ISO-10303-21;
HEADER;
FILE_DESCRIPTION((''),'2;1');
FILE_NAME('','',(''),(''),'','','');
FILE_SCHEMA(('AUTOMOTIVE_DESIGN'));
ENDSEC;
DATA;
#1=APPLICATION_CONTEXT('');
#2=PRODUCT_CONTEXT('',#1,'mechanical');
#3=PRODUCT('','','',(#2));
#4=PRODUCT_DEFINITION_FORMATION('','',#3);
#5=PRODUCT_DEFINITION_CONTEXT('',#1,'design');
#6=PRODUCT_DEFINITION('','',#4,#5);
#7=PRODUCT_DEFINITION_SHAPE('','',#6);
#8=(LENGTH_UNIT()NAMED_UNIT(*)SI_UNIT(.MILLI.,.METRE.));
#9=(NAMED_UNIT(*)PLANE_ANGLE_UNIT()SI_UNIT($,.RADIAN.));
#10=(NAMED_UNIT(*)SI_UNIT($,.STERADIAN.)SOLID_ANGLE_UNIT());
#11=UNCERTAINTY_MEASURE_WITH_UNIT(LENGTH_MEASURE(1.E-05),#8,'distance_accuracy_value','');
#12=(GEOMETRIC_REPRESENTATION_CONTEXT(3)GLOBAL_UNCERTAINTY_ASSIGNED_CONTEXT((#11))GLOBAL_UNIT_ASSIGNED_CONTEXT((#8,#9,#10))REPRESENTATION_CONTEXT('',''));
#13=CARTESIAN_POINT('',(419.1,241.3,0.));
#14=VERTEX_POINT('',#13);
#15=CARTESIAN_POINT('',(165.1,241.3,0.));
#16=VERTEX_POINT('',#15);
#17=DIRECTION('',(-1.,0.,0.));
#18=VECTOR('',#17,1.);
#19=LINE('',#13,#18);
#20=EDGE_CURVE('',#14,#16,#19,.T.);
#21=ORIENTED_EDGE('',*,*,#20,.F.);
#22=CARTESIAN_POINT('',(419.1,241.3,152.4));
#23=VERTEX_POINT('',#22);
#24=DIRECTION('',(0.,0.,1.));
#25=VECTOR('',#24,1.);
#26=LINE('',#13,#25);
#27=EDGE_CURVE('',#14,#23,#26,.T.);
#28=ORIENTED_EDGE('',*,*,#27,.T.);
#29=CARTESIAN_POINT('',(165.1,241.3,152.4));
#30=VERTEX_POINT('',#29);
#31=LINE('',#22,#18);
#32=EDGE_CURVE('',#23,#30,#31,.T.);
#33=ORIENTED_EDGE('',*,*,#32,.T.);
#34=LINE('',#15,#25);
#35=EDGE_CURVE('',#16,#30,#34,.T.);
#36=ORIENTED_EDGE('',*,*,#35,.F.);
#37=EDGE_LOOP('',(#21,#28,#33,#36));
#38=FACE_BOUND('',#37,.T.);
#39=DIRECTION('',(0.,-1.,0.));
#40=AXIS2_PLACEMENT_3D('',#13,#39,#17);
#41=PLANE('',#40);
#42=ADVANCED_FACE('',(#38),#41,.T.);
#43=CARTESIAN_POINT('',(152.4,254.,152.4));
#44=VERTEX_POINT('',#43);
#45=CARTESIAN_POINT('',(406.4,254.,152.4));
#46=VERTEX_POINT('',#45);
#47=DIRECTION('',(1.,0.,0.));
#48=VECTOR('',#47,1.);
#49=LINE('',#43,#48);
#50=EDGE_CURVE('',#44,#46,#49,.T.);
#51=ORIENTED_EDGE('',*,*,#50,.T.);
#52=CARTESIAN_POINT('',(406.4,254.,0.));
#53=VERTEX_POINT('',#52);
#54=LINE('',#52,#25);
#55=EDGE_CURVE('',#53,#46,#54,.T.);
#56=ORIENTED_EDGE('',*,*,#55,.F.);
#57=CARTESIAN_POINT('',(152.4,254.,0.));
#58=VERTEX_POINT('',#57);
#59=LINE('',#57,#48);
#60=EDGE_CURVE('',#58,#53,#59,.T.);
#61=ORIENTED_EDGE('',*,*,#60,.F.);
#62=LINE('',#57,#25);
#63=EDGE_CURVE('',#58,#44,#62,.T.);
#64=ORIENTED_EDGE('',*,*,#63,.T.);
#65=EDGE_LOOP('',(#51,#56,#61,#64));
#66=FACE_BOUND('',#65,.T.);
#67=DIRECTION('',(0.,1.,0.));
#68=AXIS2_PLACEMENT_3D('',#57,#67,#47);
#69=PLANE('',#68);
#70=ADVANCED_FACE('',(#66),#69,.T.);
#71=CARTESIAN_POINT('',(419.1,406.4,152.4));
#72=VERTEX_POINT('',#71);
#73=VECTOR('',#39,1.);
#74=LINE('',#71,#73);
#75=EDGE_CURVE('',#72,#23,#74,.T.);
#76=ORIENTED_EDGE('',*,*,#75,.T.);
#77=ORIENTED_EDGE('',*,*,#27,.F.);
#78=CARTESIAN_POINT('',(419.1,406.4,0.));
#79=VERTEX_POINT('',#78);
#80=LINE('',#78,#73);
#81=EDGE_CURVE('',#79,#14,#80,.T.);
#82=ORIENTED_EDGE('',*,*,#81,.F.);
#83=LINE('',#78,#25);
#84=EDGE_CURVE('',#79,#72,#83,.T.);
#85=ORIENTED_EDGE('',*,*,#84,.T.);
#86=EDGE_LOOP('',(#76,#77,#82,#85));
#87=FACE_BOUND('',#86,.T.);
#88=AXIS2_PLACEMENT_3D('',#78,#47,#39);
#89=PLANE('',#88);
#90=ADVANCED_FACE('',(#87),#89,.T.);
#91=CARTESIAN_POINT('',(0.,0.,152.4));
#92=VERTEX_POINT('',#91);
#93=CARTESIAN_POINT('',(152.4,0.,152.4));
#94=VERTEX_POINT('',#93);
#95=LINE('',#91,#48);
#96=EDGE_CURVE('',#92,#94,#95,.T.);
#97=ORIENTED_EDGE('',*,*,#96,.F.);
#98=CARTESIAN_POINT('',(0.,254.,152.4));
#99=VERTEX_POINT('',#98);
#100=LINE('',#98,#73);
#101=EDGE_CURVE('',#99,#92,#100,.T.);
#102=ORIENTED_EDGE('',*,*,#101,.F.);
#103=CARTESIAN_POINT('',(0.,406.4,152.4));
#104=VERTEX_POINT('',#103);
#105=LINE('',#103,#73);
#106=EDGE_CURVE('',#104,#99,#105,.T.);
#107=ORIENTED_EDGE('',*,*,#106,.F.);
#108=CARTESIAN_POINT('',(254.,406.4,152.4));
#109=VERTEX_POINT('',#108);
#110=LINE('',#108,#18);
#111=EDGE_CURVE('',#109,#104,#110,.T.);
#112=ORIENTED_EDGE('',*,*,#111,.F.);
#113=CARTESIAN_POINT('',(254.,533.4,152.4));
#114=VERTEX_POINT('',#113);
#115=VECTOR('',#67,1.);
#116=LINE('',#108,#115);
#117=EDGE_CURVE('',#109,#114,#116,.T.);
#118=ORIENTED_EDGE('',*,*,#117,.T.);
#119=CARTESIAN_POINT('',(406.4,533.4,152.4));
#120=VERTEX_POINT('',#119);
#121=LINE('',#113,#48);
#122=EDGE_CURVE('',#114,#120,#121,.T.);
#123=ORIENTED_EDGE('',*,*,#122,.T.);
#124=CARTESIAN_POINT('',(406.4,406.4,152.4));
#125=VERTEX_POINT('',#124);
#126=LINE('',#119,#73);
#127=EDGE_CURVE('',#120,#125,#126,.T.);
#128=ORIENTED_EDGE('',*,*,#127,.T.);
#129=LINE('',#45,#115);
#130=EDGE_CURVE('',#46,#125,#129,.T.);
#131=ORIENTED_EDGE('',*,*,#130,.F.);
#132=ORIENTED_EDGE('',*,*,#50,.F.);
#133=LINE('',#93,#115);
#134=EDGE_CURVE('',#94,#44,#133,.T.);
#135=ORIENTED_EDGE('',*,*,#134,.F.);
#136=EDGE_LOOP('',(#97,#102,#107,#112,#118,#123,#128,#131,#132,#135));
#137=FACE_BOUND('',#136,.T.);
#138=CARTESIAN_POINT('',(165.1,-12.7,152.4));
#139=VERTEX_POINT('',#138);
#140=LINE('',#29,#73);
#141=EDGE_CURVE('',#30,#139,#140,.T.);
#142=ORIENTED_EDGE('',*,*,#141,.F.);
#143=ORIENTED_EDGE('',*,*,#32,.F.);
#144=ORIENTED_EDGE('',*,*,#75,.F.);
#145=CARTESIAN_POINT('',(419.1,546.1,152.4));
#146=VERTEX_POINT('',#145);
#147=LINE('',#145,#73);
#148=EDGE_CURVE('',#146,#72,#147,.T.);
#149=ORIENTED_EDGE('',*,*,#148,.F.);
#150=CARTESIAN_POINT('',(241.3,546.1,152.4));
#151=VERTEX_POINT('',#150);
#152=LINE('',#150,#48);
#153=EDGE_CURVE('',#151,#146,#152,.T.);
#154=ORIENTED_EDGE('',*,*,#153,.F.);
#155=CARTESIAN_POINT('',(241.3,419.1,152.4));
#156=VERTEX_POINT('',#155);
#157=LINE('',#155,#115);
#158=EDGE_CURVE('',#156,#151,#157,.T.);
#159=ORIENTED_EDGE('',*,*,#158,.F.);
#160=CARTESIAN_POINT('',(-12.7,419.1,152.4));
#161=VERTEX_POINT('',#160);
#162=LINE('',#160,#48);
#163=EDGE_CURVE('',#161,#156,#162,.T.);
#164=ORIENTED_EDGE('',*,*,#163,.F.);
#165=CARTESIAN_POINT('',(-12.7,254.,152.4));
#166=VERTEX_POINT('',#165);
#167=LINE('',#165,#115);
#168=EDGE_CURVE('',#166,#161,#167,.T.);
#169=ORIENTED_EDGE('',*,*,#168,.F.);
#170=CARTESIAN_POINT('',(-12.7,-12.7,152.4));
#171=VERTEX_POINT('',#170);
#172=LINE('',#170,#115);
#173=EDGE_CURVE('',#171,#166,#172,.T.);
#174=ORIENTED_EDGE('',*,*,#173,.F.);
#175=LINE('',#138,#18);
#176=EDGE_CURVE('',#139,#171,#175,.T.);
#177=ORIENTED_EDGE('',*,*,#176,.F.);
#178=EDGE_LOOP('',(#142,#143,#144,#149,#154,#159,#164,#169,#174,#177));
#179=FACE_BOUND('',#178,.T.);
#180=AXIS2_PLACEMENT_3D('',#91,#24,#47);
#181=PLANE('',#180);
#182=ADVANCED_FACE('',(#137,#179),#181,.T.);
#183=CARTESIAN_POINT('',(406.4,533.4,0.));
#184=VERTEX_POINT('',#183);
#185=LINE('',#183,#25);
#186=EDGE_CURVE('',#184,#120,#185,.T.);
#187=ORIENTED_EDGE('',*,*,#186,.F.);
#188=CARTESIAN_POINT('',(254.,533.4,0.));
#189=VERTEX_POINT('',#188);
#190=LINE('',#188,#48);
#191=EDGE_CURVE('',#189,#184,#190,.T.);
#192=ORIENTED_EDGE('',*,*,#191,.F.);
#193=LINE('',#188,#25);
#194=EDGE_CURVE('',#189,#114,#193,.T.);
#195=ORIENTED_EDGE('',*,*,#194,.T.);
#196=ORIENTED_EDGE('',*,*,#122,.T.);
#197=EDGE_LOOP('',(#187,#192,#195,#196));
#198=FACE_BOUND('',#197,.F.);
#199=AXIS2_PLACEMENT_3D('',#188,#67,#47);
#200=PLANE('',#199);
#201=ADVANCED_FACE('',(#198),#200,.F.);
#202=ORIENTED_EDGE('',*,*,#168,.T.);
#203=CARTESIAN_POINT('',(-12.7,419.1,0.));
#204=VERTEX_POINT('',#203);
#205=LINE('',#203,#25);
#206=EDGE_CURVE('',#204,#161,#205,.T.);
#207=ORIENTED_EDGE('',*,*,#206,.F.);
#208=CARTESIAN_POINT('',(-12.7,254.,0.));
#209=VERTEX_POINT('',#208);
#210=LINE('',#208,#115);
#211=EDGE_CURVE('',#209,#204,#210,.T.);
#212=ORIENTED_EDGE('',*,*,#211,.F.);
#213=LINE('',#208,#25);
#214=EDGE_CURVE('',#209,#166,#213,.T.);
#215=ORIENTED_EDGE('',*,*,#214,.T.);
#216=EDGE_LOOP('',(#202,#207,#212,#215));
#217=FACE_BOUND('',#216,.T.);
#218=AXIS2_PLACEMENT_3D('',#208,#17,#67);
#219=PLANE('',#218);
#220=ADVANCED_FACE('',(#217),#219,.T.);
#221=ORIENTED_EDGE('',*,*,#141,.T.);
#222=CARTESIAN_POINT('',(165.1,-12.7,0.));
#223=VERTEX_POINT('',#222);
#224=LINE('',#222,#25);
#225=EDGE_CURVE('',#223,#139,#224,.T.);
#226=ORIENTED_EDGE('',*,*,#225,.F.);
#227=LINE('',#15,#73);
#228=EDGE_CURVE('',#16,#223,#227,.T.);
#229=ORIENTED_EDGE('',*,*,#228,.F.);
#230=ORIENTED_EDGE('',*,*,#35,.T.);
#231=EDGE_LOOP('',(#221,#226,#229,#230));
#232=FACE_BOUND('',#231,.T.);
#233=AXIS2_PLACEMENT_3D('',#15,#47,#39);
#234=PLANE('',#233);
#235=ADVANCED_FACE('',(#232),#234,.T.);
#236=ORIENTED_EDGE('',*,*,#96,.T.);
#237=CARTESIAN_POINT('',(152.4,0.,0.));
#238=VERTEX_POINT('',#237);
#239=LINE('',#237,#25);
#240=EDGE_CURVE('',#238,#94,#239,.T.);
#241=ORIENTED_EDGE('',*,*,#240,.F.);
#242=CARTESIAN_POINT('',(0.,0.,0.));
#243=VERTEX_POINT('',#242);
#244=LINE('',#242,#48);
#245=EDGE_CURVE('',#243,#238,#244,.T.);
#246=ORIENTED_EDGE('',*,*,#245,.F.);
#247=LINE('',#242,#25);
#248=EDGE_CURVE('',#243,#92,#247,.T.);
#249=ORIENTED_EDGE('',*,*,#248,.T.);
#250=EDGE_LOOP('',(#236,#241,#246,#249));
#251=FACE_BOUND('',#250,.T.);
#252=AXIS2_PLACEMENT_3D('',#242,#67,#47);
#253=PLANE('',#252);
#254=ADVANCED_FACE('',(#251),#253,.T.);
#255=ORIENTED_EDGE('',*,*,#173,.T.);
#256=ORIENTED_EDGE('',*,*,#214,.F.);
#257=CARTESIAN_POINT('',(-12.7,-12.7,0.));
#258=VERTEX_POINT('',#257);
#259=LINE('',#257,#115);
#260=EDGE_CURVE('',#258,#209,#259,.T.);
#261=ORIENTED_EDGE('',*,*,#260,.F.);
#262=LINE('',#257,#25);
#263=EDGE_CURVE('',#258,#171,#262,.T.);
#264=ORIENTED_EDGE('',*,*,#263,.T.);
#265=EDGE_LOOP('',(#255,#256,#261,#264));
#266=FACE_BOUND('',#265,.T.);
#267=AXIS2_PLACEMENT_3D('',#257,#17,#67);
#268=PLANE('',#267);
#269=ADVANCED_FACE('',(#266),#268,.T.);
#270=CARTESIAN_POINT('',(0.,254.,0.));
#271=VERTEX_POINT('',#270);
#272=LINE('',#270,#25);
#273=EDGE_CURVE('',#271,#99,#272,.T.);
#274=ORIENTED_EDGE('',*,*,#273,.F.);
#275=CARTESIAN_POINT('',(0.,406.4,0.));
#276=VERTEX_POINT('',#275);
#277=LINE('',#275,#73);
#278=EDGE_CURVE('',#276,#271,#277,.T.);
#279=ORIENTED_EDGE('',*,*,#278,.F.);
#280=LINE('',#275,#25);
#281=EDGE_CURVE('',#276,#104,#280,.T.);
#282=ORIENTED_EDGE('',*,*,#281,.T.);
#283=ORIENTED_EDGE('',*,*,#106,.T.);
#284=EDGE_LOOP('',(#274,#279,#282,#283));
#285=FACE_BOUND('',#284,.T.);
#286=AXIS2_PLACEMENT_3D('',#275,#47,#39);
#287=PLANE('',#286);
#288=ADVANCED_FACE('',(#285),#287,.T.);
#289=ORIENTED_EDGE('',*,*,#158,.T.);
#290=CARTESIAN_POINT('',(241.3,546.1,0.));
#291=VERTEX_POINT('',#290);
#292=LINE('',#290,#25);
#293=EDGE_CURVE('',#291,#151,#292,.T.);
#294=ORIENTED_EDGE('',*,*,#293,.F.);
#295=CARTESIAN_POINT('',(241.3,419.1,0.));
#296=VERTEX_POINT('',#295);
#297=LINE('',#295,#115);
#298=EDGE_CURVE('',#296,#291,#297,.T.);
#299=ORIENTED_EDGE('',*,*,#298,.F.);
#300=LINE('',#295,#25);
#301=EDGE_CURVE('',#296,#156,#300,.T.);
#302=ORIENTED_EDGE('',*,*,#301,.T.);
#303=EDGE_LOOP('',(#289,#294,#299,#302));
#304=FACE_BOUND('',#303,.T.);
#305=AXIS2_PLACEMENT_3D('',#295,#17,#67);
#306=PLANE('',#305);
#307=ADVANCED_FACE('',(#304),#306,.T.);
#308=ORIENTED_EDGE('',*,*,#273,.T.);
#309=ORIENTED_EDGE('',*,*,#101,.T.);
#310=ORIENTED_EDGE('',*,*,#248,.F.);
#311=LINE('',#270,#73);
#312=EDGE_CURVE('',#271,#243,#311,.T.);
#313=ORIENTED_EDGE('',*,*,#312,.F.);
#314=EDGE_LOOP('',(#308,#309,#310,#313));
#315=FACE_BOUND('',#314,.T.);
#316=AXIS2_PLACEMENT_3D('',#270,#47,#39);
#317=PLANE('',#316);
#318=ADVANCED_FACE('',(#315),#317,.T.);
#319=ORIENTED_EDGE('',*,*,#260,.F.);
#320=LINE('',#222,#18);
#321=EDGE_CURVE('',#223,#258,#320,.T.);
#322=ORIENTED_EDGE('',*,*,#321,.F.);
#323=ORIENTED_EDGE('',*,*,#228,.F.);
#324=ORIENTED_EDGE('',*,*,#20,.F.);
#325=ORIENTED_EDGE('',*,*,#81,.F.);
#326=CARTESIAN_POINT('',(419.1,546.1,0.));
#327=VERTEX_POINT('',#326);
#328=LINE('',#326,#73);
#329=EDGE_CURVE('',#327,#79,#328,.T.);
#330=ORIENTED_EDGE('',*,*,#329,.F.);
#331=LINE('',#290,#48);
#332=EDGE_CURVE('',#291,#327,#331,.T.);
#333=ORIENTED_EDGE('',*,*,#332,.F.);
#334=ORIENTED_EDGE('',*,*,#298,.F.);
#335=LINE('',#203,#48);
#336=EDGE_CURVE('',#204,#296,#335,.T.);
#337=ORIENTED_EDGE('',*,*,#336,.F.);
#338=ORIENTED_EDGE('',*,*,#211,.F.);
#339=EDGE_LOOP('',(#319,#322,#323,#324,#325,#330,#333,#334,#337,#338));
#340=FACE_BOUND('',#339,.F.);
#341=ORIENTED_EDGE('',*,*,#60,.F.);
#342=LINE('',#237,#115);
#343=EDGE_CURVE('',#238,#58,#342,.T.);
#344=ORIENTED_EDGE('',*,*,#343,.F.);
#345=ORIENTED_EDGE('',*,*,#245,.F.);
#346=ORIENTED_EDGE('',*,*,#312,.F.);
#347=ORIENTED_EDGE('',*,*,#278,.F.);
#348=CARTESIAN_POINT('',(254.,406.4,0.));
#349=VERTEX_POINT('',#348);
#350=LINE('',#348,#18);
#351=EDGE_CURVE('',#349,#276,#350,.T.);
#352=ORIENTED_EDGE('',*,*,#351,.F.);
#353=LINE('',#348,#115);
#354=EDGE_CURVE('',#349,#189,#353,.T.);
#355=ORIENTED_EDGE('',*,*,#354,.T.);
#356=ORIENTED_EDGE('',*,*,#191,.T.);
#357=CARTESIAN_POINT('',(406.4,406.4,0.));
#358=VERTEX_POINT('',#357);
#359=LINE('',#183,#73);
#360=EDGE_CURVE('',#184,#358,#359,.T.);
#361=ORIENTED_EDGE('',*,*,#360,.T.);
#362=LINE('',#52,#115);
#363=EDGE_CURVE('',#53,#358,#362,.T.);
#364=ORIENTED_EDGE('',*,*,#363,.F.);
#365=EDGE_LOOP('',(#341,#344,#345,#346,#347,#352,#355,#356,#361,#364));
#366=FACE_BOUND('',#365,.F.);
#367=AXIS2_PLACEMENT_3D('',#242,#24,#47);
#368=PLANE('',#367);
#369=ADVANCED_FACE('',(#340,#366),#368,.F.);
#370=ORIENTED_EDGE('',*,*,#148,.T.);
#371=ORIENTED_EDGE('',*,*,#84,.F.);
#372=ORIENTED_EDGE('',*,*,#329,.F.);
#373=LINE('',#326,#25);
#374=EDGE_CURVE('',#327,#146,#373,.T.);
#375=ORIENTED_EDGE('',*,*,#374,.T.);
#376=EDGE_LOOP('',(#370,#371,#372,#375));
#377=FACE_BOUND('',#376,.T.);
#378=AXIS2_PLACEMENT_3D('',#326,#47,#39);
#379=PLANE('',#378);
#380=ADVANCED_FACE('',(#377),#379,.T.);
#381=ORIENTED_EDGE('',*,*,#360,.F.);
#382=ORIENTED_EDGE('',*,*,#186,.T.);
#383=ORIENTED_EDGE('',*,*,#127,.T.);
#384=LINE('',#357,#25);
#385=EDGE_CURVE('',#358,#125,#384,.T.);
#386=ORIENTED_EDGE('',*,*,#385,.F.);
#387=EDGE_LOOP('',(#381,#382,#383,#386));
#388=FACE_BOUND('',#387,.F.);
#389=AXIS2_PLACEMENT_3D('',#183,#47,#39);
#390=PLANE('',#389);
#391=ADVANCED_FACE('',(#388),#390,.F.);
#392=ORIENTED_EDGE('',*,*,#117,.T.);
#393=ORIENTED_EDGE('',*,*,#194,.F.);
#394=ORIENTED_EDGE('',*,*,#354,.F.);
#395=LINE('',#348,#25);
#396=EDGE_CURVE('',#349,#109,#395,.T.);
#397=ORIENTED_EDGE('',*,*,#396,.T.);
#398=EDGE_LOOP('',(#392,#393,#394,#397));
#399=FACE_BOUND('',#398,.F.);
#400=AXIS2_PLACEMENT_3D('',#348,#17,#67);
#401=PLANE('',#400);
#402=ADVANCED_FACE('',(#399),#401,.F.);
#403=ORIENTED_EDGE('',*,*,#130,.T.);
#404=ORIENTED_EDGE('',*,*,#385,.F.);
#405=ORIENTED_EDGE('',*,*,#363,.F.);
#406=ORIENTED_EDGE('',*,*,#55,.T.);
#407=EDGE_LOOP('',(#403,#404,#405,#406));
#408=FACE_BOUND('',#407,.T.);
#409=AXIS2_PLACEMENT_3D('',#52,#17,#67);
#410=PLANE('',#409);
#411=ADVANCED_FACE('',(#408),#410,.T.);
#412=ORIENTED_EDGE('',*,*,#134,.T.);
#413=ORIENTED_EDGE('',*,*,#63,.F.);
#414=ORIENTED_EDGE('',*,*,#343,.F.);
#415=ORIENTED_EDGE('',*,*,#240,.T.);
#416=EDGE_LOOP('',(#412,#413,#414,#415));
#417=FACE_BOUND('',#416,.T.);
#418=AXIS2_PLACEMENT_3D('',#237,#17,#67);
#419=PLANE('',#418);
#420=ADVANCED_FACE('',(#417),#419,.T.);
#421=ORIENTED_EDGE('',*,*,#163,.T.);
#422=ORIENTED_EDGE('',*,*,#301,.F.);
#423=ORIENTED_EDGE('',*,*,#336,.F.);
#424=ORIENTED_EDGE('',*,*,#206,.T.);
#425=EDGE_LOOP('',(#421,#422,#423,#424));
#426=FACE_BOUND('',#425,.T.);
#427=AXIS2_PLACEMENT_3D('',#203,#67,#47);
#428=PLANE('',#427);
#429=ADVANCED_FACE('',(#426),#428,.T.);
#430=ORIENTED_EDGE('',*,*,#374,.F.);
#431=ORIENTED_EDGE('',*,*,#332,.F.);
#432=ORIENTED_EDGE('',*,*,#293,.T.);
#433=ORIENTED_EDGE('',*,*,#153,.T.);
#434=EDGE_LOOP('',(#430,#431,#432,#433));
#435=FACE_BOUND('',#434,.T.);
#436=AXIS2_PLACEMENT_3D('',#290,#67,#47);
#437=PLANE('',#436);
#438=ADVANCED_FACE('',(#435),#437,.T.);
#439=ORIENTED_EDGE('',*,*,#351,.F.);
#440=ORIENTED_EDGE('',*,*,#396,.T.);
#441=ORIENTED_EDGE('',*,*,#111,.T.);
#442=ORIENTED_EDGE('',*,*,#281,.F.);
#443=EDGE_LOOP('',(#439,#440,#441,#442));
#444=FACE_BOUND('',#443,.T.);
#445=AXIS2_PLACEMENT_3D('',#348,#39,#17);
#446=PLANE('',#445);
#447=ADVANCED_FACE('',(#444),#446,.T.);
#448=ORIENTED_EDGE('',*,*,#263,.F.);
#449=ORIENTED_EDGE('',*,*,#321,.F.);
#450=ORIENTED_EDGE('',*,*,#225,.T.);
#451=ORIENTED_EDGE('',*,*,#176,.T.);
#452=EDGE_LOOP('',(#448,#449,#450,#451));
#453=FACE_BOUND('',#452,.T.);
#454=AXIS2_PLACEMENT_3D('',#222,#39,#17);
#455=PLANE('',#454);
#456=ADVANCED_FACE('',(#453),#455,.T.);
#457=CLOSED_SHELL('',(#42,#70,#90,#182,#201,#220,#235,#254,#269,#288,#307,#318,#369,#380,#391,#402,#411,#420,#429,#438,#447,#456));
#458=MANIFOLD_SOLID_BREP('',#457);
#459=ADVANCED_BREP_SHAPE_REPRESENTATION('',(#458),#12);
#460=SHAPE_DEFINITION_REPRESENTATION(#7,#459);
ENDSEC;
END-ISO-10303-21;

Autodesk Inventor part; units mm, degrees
ref_plane "YZ Plane" through (0, 0, 0) normal (1, 0, 0) x (0, 1, 0)
ref_plane "XZ Plane" through (0, 0, 0) normal (0, 1, 0) x (-1, 0, 0)
ref_plane "XY Plane" through (0, 0, 0) normal (0, 0, 1) x (1, 0, 0)
sketch "Sketch1" plane through (0, 0, 0) normal (0, 0, 1) x (1, 0, 0)
  line L0 (0, 0) -> (152.4, 0)
  line L1 (152.4, 0) -> (152.4, 254)
  line L2 (0, 254) -> (0, 0)
  line L3 (152.4, 254) -> (406.4, 254)
  line L4 (406.4, 254) -> (406.4, 406.4)
  line L5 (254, 406.4) -> (0, 406.4)
  line L6 (0, 406.4) -> (0, 254)
  line L7 (254, 406.4) -> (254, 533.4)
  line L8 (254, 533.4) -> (406.4, 533.4)
  line L9 (406.4, 533.4) -> (406.4, 406.4)
  line L10 (-12.7, 419.1) -> (241.3, 419.1)
  line L11 (241.3, 419.1) -> (241.3, 546.1)
  line L12 (241.3, 546.1) -> (419.1, 546.1)
  line L13 (419.1, 546.1) -> (419.1, 406.4)
  line L14 (419.1, 406.4) -> (419.1, 241.3)
  line L15 (419.1, 241.3) -> (165.1, 241.3)
  line L16 (165.1, 241.3) -> (165.1, -12.7)
  line L17 (165.1, -12.7) -> (-12.7, -12.7)
  line L18 (-12.7, -12.7) -> (-12.7, 254)
  line L19 (-12.7, 254) -> (-12.7, 419.1)
  dimension "d6" = 12.7
extrude "Extrusion1" add sketch "Sketch1" along normal blind 152.4
properties part number "s_room"
